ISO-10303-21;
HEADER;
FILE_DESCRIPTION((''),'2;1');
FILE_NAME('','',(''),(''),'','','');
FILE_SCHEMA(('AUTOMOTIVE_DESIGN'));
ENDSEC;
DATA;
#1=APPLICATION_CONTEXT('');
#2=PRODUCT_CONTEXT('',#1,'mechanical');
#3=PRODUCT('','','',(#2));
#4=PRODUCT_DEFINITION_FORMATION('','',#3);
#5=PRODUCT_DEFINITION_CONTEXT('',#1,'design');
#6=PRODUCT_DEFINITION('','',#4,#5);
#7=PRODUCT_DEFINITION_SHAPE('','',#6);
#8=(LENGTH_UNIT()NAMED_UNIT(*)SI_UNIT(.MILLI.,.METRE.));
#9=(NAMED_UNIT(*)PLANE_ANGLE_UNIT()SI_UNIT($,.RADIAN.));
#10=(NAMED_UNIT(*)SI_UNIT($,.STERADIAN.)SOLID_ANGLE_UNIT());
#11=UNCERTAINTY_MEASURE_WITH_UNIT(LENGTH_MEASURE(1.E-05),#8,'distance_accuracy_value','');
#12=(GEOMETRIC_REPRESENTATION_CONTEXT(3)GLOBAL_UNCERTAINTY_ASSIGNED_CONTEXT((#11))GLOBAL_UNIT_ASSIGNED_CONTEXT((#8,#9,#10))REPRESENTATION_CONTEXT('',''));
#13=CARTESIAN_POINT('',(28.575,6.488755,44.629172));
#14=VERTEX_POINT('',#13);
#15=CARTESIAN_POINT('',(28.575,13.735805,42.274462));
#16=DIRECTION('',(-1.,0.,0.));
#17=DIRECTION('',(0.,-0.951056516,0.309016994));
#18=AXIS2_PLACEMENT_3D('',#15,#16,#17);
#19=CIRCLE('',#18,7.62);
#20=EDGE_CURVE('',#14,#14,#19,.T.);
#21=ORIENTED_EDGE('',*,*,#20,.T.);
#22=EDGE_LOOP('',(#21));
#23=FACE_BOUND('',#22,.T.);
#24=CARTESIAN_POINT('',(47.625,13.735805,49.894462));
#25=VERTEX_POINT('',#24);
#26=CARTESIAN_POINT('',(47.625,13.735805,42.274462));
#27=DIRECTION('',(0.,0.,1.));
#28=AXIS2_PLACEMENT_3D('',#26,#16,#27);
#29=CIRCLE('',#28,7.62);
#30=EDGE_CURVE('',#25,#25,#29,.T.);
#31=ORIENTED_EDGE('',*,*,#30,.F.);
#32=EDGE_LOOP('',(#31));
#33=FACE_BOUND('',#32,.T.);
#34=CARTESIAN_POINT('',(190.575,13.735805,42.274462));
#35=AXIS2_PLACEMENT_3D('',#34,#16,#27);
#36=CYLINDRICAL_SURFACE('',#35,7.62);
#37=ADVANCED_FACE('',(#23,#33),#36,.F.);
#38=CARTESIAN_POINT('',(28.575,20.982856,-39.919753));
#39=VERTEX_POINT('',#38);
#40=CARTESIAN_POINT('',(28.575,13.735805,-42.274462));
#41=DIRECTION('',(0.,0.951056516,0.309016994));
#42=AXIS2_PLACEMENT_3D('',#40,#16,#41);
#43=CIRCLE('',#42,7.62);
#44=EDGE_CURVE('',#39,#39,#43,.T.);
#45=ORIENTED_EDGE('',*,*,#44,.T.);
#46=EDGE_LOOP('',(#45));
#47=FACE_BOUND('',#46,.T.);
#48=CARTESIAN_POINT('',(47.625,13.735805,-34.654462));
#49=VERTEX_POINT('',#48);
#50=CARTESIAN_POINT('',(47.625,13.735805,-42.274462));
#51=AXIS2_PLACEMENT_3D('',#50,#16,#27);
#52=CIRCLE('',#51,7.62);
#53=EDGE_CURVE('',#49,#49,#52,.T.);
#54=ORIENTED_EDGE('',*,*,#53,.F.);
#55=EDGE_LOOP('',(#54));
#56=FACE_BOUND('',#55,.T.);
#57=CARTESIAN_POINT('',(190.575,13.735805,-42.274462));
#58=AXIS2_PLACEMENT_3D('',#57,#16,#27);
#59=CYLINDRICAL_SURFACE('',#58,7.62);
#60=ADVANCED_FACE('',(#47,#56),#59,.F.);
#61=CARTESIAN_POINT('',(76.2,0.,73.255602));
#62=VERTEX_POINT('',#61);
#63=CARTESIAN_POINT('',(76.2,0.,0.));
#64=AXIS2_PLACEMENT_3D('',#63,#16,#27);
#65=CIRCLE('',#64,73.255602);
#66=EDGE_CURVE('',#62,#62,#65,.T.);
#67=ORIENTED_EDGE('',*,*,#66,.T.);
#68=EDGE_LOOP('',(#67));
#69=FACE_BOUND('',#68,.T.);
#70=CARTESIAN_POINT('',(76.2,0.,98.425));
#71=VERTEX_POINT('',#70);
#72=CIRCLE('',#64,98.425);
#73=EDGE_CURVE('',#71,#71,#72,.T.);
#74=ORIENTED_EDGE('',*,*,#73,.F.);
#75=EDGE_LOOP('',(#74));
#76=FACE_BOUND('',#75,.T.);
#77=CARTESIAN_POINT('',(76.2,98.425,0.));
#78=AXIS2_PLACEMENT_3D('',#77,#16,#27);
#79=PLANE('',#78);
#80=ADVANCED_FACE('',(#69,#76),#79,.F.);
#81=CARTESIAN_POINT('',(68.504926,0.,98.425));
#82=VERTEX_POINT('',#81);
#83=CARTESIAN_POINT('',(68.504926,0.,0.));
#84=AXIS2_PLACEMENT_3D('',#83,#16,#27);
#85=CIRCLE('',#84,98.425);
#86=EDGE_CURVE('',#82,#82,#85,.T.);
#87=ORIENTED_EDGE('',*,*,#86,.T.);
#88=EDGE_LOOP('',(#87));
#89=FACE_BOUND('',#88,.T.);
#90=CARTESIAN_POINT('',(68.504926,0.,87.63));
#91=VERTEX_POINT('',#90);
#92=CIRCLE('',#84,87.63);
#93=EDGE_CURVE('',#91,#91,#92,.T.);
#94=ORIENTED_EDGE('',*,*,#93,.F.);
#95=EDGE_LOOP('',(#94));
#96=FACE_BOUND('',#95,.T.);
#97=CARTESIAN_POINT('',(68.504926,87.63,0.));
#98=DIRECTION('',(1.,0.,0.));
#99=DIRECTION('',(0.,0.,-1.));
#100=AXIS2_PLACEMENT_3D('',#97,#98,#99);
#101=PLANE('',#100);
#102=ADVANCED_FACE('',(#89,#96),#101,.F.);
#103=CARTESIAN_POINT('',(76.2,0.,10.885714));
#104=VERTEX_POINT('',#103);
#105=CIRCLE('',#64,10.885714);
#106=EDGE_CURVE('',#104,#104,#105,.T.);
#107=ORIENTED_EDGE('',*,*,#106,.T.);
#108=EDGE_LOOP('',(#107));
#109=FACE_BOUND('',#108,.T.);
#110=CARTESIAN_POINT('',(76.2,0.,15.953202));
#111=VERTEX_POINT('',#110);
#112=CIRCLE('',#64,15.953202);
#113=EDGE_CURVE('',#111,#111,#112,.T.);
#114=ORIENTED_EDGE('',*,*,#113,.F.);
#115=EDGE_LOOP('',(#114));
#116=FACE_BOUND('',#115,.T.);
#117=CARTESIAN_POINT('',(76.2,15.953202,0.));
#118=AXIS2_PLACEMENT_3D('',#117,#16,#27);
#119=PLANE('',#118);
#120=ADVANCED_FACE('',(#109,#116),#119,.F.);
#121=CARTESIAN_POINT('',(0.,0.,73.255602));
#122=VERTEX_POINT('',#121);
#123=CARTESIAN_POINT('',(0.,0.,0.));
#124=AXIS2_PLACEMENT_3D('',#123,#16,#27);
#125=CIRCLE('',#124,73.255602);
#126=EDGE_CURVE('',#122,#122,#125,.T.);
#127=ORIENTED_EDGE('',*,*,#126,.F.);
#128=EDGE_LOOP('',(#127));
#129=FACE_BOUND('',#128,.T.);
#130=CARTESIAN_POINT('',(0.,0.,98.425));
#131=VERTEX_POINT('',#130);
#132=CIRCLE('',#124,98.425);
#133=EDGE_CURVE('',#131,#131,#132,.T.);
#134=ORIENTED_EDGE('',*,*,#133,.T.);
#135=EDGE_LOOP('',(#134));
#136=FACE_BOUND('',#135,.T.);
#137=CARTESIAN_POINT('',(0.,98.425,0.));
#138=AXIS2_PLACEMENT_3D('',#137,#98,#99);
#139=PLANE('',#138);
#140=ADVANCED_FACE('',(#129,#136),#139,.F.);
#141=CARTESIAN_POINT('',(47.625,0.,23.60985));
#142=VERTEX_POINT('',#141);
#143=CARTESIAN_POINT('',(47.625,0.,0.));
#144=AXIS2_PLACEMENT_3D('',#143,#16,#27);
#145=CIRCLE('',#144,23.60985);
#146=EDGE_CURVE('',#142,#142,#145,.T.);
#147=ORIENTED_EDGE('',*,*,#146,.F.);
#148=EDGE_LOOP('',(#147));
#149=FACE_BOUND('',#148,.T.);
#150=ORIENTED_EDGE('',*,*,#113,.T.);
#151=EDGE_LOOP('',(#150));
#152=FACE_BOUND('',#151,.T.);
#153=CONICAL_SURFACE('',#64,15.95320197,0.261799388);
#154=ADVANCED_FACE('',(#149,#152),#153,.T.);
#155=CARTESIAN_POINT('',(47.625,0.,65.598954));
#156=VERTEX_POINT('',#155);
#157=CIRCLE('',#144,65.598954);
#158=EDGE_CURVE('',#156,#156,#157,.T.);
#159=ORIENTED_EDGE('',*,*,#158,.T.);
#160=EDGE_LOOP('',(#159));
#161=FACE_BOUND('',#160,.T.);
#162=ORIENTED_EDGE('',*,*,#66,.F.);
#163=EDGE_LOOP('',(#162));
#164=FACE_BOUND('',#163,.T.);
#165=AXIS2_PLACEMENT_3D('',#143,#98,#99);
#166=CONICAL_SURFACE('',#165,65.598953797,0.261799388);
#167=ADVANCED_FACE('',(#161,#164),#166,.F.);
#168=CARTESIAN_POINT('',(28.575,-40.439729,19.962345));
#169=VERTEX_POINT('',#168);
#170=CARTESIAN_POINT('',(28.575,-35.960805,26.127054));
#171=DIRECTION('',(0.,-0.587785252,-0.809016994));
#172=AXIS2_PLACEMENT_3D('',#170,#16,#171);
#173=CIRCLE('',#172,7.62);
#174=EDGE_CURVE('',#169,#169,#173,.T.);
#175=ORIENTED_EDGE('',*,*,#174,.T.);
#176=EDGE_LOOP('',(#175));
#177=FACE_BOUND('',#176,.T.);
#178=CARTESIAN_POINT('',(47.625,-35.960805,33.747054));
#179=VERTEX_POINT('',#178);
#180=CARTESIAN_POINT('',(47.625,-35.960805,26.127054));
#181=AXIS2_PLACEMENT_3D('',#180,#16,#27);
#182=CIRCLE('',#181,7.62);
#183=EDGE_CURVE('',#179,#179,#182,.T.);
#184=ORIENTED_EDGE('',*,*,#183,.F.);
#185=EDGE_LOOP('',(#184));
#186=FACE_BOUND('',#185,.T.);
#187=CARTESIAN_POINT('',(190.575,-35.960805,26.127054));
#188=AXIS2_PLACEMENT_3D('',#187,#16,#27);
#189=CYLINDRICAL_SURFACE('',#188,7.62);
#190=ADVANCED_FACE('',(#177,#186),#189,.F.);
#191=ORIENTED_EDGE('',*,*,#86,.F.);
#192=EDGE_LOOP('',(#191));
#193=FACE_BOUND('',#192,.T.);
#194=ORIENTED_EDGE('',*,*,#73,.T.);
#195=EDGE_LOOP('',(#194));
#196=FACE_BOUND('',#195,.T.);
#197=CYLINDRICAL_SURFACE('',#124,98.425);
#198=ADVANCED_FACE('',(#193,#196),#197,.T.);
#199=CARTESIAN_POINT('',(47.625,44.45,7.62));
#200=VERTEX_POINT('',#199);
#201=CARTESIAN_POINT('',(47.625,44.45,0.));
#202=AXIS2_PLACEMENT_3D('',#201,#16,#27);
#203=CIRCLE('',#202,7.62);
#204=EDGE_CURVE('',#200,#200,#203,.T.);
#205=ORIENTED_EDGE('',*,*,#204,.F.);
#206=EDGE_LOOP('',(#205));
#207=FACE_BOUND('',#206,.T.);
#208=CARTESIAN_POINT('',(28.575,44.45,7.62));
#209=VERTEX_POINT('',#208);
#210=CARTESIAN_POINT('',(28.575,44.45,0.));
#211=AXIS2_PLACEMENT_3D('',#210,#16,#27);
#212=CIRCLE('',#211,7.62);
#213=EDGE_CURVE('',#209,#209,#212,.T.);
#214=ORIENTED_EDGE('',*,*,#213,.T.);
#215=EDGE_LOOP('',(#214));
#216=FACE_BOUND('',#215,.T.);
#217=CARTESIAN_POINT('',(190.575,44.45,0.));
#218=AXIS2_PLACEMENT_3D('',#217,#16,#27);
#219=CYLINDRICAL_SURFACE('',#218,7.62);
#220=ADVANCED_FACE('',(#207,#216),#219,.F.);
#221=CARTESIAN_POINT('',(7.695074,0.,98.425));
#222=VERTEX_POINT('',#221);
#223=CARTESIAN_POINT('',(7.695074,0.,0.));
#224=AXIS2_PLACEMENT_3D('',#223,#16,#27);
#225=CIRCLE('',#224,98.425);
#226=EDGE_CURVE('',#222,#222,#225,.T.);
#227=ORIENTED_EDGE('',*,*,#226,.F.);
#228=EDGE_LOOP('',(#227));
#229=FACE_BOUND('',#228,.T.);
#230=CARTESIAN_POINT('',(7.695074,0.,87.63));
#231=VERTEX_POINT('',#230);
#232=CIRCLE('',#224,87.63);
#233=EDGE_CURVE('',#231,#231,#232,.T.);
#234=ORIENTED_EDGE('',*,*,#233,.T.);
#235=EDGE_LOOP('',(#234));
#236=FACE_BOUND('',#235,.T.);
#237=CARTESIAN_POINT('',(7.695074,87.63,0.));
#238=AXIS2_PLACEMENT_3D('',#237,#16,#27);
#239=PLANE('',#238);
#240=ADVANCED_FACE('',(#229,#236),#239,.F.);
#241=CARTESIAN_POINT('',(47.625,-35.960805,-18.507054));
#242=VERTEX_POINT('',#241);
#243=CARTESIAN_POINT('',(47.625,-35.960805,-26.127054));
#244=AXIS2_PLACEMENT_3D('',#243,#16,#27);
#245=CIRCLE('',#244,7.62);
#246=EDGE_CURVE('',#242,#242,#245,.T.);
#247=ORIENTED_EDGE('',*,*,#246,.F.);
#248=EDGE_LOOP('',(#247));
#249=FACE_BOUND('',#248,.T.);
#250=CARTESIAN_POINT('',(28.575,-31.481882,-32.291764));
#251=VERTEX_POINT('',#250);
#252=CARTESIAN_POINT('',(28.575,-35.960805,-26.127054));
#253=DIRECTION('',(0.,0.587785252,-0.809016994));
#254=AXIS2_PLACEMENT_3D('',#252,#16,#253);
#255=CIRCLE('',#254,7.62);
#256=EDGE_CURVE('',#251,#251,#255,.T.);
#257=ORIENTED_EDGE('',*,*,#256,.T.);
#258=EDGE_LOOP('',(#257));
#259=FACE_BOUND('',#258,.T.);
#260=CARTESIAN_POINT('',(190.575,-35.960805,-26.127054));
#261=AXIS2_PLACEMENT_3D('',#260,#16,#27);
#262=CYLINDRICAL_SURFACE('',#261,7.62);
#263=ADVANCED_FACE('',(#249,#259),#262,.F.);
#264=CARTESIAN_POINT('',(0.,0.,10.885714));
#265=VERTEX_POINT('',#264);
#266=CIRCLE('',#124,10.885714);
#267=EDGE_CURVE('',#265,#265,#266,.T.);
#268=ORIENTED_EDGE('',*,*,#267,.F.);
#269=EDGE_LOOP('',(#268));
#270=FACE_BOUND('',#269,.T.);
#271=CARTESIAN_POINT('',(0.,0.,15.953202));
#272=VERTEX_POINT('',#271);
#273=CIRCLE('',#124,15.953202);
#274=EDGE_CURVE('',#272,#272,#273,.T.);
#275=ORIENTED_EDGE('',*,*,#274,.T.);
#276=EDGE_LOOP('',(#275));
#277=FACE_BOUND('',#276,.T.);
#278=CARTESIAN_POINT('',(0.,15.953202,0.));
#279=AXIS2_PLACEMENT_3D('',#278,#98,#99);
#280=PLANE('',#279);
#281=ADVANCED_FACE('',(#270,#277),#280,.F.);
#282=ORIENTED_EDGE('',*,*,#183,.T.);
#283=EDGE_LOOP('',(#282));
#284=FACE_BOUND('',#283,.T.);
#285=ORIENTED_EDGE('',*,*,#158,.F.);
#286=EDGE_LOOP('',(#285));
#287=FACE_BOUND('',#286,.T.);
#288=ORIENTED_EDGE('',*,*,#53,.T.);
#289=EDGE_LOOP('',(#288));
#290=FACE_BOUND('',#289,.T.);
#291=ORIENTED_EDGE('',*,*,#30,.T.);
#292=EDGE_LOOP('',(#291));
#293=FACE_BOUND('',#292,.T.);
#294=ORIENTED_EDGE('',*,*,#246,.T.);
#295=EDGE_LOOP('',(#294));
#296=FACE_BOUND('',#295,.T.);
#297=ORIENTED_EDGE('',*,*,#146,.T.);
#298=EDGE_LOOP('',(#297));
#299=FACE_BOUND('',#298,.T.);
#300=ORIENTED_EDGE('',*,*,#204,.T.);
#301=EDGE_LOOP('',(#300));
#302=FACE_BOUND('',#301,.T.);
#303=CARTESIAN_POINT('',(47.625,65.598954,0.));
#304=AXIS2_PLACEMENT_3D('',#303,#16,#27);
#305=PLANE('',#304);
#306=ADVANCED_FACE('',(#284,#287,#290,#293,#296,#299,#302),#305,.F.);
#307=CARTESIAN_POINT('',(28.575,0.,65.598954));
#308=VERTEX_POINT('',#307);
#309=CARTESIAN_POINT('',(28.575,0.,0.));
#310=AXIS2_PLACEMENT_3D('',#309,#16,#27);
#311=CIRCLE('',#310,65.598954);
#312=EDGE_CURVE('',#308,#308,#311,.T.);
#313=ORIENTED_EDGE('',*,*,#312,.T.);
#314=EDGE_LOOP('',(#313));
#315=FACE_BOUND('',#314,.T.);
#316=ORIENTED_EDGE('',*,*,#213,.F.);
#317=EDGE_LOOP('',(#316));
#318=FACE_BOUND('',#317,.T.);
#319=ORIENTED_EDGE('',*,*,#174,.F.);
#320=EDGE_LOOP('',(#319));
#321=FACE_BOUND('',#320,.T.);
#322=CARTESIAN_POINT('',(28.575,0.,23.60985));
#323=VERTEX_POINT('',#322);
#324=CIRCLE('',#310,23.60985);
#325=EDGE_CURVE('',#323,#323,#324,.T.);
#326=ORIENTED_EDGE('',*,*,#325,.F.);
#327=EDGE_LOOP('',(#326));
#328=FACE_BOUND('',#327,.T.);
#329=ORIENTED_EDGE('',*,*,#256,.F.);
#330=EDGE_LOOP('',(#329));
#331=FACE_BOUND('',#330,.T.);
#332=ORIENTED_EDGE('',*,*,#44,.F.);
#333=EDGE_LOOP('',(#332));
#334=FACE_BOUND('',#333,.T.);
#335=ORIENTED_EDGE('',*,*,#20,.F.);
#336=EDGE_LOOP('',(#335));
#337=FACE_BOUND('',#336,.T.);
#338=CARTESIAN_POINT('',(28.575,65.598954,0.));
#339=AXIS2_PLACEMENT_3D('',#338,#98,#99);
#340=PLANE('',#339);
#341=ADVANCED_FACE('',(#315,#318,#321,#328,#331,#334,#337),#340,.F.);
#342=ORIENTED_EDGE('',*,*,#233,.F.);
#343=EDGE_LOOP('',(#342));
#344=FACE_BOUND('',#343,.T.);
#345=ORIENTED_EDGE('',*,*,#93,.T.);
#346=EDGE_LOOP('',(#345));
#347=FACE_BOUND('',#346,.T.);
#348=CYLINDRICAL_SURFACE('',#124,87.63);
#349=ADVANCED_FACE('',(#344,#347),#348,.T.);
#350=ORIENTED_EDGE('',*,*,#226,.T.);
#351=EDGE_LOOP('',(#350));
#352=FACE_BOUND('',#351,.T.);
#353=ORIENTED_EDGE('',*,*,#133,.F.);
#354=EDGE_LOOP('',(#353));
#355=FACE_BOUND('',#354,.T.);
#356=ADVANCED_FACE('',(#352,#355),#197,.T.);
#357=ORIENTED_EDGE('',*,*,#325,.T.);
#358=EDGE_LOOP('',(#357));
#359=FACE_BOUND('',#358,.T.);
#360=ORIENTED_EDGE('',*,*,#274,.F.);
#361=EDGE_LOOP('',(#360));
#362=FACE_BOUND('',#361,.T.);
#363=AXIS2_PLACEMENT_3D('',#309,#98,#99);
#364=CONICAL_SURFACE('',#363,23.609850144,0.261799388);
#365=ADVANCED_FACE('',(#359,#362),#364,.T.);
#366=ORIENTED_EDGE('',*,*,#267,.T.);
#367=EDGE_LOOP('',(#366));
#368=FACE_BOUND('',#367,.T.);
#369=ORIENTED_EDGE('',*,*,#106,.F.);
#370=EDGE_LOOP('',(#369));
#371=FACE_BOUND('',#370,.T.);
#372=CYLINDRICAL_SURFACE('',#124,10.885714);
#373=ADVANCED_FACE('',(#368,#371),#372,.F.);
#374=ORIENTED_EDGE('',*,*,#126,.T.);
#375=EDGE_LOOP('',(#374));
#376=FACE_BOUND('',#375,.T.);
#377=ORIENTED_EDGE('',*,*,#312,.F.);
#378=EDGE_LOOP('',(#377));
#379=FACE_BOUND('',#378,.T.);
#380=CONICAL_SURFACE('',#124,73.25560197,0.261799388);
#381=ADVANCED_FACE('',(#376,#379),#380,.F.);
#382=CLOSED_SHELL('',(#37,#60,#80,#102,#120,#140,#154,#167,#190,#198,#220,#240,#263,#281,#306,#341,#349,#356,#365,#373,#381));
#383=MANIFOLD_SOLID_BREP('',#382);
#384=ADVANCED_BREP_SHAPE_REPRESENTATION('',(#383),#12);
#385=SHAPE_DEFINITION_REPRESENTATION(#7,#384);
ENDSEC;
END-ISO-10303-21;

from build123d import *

# Parameters (mm, degrees)
ESBO_O2_R             = 7.62
CORTE_EXTRUS_O1_DEPTH = 162
PADR_OCIRCULAR1_COUNT = 5


with BuildPart() as part:
    # Esboço1 → Revolução1 (revolve)
    with BuildSketch(Plane.XY, mode=Mode.PRIVATE) as revolu_o1_sk:
        Polygon((0, 10.885714286), (76.2, 10.885714286), (76.2, 15.95320197), (47.625, 23.609850144), (47.625, 65.598953797), (76.2, 73.25560197), (76.2, 98.425), (68.504926108, 98.425), (68.504926108, 87.63), (7.695073892, 87.63), (7.695073892, 98.425), (0, 98.425), (0, 73.25560197), (28.575, 65.598953797), (28.575, 23.609850144), (0, 15.95320197), align=None)
    revolve(revolu_o1_sk.sketch.rotate(Axis((0, 0, 0), (1, 0, 0)), 90), axis=Axis((0, 0, 0), (1, 0, 0)))

    # Esboço2 → Corte-extrusão1 (cut)
    with BuildSketch(Plane.ZY.offset(-28.575)):
        with Locations((0, 44.45)):
            Circle(ESBO_O2_R)
    corte_extrus_o1 = extrude(amount=-CORTE_EXTRUS_O1_DEPTH, mode=Mode.SUBTRACT)

    # PadrãoCircular1: Corte-extrusão1 ×5 about axis
    padr_ocircular1_axis = Axis((0, 0, 0), (1, 0, 0))
    for i in range(1, PADR_OCIRCULAR1_COUNT):
        add(corte_extrus_o1.rotate(padr_ocircular1_axis, i * 360 / PADR_OCIRCULAR1_COUNT), mode=Mode.SUBTRACT)


solid = part.part
